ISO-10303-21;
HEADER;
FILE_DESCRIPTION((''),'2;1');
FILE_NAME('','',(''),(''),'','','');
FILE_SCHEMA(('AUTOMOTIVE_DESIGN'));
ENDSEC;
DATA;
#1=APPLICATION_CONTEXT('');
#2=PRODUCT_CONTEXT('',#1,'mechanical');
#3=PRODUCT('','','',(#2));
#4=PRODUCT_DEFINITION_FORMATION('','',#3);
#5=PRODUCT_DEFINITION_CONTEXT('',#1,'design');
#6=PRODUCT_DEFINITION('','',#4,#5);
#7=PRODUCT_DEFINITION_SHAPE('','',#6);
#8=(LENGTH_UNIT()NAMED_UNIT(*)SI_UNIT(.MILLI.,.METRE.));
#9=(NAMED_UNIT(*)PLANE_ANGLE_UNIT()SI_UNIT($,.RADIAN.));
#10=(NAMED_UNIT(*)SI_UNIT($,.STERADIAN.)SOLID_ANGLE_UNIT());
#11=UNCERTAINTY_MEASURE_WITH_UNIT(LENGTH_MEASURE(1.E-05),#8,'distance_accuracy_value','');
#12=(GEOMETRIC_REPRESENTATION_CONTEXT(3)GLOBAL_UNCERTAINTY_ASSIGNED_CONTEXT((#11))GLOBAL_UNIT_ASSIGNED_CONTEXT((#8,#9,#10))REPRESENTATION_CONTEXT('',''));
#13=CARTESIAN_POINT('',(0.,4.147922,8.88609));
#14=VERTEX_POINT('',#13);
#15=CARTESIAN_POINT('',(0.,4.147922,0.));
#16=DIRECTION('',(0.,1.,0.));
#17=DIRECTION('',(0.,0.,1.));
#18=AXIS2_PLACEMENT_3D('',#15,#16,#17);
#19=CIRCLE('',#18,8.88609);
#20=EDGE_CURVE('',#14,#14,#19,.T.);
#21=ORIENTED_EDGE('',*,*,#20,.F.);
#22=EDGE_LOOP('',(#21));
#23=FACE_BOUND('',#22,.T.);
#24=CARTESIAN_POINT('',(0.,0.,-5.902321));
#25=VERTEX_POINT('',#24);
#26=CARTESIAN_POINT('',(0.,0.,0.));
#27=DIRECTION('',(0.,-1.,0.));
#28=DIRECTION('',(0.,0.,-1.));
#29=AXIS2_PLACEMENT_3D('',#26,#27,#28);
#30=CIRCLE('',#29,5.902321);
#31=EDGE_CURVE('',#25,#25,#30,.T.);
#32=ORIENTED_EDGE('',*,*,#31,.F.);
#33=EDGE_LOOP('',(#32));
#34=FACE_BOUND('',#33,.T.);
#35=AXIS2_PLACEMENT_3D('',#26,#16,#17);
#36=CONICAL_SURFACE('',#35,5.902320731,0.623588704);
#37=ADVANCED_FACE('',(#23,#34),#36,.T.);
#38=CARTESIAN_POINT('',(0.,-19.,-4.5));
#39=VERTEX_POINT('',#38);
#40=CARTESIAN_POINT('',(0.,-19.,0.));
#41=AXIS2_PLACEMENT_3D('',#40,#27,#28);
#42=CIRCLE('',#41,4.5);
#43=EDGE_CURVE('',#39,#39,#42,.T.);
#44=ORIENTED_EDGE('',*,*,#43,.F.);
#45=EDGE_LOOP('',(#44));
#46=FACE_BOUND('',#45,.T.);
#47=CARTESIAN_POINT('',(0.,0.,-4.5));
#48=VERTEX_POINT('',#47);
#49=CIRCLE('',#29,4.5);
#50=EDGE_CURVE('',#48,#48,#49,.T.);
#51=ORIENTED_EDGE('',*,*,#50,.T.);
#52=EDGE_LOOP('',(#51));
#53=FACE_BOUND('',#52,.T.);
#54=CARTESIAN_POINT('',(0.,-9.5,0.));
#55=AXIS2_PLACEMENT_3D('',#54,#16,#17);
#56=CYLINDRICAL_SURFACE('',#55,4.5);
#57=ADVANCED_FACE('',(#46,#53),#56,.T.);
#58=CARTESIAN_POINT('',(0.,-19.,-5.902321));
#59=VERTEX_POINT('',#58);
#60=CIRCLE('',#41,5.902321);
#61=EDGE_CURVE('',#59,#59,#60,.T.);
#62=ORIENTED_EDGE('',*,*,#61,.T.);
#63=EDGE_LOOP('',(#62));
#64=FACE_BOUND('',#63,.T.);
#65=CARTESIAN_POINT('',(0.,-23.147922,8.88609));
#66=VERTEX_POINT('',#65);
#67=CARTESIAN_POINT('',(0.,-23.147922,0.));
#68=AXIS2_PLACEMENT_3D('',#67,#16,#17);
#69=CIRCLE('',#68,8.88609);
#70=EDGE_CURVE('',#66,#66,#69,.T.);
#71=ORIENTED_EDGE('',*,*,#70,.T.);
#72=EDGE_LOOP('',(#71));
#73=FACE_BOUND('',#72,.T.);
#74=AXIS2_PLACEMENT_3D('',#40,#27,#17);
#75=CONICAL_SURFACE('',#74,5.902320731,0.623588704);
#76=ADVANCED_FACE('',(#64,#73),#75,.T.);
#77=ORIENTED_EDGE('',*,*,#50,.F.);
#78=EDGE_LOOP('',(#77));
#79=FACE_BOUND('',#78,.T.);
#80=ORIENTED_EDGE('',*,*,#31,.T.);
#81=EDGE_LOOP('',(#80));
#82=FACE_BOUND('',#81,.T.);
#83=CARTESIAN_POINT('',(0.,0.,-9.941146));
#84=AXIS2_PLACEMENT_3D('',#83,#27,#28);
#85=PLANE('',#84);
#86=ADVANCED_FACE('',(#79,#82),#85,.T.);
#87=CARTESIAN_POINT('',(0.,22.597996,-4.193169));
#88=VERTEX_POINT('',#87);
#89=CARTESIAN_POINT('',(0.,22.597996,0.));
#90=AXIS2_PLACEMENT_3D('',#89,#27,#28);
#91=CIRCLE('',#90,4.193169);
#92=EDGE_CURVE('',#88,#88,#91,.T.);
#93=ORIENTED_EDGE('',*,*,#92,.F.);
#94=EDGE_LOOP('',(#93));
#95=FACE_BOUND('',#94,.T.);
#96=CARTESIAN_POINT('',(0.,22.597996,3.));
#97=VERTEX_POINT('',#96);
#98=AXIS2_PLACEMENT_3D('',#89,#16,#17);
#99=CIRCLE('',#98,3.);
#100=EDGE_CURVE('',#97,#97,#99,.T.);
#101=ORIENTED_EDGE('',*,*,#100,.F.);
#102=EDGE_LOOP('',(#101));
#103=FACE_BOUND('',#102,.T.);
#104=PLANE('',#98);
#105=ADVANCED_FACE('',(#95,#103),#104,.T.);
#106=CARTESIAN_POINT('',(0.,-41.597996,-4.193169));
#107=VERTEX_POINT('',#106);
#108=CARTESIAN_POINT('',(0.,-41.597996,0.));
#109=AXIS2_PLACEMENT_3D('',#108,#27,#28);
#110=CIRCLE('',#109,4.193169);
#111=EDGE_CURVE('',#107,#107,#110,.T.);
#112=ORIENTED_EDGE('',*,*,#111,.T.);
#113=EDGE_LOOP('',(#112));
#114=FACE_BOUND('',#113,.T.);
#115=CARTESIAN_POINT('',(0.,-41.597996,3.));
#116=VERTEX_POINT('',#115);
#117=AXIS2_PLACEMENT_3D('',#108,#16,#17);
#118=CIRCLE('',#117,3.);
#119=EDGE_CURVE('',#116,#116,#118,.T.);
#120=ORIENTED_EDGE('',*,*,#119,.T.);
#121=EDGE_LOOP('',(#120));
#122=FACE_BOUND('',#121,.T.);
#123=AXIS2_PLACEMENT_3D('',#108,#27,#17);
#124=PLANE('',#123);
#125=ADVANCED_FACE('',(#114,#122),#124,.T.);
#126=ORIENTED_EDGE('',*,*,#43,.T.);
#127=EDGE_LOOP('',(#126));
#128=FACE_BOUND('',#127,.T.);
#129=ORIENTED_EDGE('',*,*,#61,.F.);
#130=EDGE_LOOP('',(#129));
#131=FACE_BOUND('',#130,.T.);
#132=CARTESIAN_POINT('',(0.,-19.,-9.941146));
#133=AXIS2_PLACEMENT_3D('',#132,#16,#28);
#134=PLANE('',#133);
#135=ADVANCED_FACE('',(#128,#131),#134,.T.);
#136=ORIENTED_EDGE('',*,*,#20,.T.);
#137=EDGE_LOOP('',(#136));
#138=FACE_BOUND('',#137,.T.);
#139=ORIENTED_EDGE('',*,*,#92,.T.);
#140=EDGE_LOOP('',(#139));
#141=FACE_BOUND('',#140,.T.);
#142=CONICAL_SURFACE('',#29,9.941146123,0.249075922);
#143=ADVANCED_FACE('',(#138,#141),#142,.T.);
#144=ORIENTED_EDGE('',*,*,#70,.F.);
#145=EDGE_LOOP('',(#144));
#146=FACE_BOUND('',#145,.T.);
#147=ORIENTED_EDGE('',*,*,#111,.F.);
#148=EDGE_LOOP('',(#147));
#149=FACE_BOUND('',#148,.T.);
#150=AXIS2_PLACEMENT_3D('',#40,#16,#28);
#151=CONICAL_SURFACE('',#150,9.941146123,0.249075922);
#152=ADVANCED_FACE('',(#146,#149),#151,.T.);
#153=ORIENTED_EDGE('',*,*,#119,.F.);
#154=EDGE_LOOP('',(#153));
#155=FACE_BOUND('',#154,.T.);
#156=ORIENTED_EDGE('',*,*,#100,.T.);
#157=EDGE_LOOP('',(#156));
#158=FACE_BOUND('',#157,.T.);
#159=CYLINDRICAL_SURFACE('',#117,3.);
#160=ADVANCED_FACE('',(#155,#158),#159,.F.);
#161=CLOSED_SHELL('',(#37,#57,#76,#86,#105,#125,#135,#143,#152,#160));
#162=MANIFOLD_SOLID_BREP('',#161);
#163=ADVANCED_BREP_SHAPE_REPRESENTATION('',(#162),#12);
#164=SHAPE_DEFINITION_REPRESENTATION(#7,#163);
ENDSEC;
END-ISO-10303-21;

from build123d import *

# Parameters (mm, degrees)
CHAMFER1_SIZE       = 4.28
CHAMFER1_SIZE2      = 4.038825392
SKETCH8_R           = 4.5
BOSS_EXTRUDE2_DEPTH = 9.5
SKETCH9_R           = 3
CUT_EXTRUDE2_DEPTH  = 66.414452097


with BuildPart() as part:
    # Sketch7 → Revolve1 (revolve)
    with BuildSketch(Plane(origin=(0, 0, 0), x_dir=(0, 0, -1), z_dir=(1, 0, 0))):
        Polygon((0, 0), (0, 22.597995894), (4.193169033, 22.597995894), (9.941146123, 0), align=None)
    revolve(axis=Axis((0, 0, 0), (0, 1, 0)))

    # Chamfer1
    chamfer1_edges = [part.edges().sort_by_distance(p)[0] for p in [
        (0, 0, 9.941146123),
    ]]
    chamfer1_side = [part.faces().sort_by_distance(p)[0] for p in [
        (0, 11.298997947, 7.067157578),
    ]]
    chamfer(chamfer1_edges, length=CHAMFER1_SIZE, length2=CHAMFER1_SIZE2, reference=chamfer1_side[0])

    # Sketch8 → Boss-Extrude2 (add)
    with BuildSketch(Plane.XZ):
        Circle(SKETCH8_R)
    extrude(amount=BOSS_EXTRUDE2_DEPTH)

    # Mirror3: part across plane


with BuildPart() as part_1:
    add(part.part)
    add(part.part.mirror(Plane(origin=(0, -9.5, 0), x_dir=(0, 0, 1), z_dir=(0, -1, 0))))

    # Sketch9 → Cut-Extrude2 (cut, through all)
    with BuildSketch(Plane(origin=(0, 22.597995894, 0), x_dir=(1, 0, 0), z_dir=(0, 1, 0))):
        Circle(SKETCH9_R)
    extrude(amount=-CUT_EXTRUDE2_DEPTH, mode=Mode.SUBTRACT)


solid = part_1.part
